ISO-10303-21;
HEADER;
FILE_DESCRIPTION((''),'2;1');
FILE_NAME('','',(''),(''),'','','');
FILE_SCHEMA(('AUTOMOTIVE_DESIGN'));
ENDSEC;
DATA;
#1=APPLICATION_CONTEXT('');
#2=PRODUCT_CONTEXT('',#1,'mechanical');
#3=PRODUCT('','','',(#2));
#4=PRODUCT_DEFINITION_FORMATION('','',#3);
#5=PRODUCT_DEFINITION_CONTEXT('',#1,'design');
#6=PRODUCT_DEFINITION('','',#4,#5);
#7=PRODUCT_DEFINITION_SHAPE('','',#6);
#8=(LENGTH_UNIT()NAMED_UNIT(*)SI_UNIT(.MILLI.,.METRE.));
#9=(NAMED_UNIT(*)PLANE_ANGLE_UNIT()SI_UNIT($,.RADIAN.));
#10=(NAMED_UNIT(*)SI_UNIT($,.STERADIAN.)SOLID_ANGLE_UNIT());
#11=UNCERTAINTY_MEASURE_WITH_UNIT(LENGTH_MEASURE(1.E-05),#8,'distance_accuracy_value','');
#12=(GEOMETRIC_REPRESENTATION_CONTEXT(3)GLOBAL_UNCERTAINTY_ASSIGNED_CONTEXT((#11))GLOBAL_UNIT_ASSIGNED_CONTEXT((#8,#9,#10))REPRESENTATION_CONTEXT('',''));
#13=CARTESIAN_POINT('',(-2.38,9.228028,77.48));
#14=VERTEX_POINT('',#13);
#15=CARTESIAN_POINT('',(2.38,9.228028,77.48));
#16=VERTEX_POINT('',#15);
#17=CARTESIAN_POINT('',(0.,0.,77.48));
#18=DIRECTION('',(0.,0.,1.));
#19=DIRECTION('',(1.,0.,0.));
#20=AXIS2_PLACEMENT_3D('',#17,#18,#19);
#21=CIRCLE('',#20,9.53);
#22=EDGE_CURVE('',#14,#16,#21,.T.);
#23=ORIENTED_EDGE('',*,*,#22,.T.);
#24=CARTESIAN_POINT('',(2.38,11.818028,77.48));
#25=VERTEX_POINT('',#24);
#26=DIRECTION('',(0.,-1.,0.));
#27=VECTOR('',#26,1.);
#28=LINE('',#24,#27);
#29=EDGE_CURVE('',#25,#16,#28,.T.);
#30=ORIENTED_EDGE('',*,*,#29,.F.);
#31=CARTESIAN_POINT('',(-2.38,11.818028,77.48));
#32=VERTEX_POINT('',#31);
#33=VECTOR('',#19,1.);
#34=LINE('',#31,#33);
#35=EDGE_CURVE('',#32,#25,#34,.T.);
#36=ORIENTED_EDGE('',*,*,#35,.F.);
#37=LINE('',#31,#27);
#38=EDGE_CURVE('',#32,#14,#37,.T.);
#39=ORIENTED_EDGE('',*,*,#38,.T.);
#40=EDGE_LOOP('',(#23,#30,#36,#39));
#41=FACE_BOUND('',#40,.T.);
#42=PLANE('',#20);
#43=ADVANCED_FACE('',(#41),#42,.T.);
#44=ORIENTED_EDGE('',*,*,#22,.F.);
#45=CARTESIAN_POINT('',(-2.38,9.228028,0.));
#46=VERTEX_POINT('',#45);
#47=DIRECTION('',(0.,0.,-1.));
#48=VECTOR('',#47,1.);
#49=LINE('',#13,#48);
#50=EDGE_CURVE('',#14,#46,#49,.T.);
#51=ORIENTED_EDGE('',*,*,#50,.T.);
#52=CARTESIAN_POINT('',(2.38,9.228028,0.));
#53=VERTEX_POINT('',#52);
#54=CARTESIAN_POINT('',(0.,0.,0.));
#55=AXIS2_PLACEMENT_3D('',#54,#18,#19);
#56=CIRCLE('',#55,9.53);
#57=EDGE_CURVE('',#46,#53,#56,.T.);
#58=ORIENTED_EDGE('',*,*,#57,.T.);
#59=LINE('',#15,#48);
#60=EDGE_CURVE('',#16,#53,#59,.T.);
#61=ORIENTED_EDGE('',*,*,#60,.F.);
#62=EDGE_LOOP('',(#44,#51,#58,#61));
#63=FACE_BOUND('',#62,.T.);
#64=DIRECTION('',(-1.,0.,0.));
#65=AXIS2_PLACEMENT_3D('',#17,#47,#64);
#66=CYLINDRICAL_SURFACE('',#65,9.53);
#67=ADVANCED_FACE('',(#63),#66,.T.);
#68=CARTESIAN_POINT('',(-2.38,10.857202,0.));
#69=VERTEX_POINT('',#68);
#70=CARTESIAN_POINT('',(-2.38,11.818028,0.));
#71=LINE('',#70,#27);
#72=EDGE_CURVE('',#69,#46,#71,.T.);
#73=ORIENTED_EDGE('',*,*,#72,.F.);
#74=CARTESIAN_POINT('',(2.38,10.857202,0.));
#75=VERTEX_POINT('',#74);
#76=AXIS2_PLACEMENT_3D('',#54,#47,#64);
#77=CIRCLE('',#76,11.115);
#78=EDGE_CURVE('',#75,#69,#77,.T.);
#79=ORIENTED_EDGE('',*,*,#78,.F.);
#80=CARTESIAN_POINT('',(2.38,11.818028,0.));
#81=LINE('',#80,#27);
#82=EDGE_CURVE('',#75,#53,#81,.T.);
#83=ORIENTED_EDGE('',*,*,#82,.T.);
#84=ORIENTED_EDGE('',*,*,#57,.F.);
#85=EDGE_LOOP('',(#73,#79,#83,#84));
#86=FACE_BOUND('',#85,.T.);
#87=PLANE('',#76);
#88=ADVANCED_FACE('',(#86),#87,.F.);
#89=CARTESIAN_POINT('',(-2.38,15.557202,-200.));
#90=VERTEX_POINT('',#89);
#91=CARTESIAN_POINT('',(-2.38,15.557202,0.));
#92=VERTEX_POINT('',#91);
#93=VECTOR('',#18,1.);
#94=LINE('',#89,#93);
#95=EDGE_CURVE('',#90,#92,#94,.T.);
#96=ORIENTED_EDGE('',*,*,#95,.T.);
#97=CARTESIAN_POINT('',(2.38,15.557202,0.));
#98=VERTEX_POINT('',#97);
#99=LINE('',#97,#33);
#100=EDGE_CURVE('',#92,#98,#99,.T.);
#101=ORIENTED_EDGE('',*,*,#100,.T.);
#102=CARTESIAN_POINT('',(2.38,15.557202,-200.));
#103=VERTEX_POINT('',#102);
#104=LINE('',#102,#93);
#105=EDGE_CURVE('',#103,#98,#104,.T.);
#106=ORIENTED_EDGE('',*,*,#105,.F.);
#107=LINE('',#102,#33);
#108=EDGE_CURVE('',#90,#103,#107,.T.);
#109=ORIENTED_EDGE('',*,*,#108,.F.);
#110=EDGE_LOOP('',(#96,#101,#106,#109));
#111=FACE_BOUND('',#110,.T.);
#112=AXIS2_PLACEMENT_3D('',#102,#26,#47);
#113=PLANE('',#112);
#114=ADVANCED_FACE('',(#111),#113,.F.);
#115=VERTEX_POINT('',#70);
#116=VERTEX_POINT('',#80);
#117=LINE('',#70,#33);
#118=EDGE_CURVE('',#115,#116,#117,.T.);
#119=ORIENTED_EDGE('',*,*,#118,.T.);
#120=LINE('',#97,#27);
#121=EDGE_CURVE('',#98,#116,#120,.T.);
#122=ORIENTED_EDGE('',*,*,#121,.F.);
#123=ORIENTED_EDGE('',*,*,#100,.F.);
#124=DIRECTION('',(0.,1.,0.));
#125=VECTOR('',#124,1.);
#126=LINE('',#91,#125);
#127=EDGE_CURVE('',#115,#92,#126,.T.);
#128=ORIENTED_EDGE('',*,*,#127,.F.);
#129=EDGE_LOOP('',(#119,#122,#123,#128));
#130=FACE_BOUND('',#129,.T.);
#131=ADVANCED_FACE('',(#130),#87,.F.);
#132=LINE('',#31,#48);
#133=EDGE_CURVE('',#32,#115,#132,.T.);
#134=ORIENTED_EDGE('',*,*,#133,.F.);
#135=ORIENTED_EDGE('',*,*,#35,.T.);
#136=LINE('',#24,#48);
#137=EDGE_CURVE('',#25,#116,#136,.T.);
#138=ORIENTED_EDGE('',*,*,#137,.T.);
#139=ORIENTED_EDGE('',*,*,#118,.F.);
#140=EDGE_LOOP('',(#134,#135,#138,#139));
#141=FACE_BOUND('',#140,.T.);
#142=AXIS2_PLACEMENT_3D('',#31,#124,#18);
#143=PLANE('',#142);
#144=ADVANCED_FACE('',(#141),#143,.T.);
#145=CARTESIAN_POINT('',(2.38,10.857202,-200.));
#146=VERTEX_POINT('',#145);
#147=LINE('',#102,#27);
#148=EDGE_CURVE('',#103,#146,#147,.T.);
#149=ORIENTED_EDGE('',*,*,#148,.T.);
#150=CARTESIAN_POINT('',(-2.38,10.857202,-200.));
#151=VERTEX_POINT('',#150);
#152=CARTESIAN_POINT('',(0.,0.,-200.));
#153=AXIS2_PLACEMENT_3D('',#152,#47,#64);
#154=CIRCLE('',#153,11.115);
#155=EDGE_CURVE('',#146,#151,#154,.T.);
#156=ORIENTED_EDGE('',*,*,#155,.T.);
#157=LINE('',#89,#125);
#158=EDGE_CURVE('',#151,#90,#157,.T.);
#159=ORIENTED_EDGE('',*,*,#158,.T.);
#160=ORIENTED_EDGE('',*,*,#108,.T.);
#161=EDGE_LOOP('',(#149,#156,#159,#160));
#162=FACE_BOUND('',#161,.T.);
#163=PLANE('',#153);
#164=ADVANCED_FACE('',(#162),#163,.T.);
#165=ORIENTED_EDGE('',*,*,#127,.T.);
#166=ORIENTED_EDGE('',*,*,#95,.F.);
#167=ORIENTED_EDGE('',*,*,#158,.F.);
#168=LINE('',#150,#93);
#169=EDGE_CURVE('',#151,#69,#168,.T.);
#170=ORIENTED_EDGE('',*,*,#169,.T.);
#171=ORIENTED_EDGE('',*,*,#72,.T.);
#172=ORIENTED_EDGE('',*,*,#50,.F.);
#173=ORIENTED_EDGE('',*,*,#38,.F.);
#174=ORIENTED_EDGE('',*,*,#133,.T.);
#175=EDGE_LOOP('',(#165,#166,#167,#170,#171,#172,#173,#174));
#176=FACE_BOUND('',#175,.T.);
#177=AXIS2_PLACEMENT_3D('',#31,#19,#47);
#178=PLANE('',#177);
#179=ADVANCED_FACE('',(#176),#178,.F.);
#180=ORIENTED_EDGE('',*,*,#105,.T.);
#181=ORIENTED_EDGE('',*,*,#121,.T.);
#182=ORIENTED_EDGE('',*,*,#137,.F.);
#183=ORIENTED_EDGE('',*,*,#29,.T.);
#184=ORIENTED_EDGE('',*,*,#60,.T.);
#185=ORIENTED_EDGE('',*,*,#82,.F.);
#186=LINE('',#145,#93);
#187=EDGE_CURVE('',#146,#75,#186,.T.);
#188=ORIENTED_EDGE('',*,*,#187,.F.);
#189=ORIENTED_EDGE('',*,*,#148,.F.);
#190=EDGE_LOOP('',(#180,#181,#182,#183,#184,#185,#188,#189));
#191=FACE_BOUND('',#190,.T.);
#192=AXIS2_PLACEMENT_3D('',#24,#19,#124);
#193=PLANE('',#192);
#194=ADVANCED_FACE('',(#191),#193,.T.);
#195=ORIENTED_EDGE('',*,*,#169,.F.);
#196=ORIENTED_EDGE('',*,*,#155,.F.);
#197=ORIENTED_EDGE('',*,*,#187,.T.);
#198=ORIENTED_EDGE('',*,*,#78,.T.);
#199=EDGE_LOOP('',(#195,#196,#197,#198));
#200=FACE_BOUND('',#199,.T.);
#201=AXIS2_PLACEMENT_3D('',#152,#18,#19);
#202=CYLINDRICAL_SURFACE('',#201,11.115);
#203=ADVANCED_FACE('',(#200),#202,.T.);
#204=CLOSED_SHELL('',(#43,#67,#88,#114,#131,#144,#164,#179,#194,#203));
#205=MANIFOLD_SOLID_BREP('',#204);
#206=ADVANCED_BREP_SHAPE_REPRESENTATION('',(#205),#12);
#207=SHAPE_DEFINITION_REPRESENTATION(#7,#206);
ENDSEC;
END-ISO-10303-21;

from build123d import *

# Parameters (mm, degrees)
BOSS_EXTRUDE1_DEPTH = 77.48
BOSS_EXTRUDE2_DEPTH = 200


with BuildPart() as part:
    # Sketch1 → Boss-Extrude1 (new body)
    with BuildSketch(Plane.XY):
        with BuildLine():
            Line((-2.38, 11.818027958), (2.38, 11.818027958))
            Line((2.38, 11.818027958), (2.38, 9.228027958))
            ThreePointArc((2.38, 9.228027958), (0, -9.53), (-2.38, 9.228027958))
            Line((-2.38, 9.228027958), (-2.38, 11.818027958))
        make_face()
    extrude(amount=BOSS_EXTRUDE1_DEPTH)

    # Sketch2 → Boss-Extrude2 (add)
    with BuildSketch(Plane(origin=(0, 0, 0), x_dir=(-1, 0, 0), z_dir=(0, 0, -1))):
        with BuildLine():
            Line((-2.38, 15.557201527), (2.38, 15.557201527))
            Line((2.38, 15.557201527), (2.38, 10.857201527))
            ThreePointArc((2.38, 10.857201527), (0, -11.115), (-2.38, 10.857201527))
            Line((-2.38, 10.857201527), (-2.38, 15.557201527))
        make_face()
    extrude(amount=BOSS_EXTRUDE2_DEPTH)


solid = part.part
